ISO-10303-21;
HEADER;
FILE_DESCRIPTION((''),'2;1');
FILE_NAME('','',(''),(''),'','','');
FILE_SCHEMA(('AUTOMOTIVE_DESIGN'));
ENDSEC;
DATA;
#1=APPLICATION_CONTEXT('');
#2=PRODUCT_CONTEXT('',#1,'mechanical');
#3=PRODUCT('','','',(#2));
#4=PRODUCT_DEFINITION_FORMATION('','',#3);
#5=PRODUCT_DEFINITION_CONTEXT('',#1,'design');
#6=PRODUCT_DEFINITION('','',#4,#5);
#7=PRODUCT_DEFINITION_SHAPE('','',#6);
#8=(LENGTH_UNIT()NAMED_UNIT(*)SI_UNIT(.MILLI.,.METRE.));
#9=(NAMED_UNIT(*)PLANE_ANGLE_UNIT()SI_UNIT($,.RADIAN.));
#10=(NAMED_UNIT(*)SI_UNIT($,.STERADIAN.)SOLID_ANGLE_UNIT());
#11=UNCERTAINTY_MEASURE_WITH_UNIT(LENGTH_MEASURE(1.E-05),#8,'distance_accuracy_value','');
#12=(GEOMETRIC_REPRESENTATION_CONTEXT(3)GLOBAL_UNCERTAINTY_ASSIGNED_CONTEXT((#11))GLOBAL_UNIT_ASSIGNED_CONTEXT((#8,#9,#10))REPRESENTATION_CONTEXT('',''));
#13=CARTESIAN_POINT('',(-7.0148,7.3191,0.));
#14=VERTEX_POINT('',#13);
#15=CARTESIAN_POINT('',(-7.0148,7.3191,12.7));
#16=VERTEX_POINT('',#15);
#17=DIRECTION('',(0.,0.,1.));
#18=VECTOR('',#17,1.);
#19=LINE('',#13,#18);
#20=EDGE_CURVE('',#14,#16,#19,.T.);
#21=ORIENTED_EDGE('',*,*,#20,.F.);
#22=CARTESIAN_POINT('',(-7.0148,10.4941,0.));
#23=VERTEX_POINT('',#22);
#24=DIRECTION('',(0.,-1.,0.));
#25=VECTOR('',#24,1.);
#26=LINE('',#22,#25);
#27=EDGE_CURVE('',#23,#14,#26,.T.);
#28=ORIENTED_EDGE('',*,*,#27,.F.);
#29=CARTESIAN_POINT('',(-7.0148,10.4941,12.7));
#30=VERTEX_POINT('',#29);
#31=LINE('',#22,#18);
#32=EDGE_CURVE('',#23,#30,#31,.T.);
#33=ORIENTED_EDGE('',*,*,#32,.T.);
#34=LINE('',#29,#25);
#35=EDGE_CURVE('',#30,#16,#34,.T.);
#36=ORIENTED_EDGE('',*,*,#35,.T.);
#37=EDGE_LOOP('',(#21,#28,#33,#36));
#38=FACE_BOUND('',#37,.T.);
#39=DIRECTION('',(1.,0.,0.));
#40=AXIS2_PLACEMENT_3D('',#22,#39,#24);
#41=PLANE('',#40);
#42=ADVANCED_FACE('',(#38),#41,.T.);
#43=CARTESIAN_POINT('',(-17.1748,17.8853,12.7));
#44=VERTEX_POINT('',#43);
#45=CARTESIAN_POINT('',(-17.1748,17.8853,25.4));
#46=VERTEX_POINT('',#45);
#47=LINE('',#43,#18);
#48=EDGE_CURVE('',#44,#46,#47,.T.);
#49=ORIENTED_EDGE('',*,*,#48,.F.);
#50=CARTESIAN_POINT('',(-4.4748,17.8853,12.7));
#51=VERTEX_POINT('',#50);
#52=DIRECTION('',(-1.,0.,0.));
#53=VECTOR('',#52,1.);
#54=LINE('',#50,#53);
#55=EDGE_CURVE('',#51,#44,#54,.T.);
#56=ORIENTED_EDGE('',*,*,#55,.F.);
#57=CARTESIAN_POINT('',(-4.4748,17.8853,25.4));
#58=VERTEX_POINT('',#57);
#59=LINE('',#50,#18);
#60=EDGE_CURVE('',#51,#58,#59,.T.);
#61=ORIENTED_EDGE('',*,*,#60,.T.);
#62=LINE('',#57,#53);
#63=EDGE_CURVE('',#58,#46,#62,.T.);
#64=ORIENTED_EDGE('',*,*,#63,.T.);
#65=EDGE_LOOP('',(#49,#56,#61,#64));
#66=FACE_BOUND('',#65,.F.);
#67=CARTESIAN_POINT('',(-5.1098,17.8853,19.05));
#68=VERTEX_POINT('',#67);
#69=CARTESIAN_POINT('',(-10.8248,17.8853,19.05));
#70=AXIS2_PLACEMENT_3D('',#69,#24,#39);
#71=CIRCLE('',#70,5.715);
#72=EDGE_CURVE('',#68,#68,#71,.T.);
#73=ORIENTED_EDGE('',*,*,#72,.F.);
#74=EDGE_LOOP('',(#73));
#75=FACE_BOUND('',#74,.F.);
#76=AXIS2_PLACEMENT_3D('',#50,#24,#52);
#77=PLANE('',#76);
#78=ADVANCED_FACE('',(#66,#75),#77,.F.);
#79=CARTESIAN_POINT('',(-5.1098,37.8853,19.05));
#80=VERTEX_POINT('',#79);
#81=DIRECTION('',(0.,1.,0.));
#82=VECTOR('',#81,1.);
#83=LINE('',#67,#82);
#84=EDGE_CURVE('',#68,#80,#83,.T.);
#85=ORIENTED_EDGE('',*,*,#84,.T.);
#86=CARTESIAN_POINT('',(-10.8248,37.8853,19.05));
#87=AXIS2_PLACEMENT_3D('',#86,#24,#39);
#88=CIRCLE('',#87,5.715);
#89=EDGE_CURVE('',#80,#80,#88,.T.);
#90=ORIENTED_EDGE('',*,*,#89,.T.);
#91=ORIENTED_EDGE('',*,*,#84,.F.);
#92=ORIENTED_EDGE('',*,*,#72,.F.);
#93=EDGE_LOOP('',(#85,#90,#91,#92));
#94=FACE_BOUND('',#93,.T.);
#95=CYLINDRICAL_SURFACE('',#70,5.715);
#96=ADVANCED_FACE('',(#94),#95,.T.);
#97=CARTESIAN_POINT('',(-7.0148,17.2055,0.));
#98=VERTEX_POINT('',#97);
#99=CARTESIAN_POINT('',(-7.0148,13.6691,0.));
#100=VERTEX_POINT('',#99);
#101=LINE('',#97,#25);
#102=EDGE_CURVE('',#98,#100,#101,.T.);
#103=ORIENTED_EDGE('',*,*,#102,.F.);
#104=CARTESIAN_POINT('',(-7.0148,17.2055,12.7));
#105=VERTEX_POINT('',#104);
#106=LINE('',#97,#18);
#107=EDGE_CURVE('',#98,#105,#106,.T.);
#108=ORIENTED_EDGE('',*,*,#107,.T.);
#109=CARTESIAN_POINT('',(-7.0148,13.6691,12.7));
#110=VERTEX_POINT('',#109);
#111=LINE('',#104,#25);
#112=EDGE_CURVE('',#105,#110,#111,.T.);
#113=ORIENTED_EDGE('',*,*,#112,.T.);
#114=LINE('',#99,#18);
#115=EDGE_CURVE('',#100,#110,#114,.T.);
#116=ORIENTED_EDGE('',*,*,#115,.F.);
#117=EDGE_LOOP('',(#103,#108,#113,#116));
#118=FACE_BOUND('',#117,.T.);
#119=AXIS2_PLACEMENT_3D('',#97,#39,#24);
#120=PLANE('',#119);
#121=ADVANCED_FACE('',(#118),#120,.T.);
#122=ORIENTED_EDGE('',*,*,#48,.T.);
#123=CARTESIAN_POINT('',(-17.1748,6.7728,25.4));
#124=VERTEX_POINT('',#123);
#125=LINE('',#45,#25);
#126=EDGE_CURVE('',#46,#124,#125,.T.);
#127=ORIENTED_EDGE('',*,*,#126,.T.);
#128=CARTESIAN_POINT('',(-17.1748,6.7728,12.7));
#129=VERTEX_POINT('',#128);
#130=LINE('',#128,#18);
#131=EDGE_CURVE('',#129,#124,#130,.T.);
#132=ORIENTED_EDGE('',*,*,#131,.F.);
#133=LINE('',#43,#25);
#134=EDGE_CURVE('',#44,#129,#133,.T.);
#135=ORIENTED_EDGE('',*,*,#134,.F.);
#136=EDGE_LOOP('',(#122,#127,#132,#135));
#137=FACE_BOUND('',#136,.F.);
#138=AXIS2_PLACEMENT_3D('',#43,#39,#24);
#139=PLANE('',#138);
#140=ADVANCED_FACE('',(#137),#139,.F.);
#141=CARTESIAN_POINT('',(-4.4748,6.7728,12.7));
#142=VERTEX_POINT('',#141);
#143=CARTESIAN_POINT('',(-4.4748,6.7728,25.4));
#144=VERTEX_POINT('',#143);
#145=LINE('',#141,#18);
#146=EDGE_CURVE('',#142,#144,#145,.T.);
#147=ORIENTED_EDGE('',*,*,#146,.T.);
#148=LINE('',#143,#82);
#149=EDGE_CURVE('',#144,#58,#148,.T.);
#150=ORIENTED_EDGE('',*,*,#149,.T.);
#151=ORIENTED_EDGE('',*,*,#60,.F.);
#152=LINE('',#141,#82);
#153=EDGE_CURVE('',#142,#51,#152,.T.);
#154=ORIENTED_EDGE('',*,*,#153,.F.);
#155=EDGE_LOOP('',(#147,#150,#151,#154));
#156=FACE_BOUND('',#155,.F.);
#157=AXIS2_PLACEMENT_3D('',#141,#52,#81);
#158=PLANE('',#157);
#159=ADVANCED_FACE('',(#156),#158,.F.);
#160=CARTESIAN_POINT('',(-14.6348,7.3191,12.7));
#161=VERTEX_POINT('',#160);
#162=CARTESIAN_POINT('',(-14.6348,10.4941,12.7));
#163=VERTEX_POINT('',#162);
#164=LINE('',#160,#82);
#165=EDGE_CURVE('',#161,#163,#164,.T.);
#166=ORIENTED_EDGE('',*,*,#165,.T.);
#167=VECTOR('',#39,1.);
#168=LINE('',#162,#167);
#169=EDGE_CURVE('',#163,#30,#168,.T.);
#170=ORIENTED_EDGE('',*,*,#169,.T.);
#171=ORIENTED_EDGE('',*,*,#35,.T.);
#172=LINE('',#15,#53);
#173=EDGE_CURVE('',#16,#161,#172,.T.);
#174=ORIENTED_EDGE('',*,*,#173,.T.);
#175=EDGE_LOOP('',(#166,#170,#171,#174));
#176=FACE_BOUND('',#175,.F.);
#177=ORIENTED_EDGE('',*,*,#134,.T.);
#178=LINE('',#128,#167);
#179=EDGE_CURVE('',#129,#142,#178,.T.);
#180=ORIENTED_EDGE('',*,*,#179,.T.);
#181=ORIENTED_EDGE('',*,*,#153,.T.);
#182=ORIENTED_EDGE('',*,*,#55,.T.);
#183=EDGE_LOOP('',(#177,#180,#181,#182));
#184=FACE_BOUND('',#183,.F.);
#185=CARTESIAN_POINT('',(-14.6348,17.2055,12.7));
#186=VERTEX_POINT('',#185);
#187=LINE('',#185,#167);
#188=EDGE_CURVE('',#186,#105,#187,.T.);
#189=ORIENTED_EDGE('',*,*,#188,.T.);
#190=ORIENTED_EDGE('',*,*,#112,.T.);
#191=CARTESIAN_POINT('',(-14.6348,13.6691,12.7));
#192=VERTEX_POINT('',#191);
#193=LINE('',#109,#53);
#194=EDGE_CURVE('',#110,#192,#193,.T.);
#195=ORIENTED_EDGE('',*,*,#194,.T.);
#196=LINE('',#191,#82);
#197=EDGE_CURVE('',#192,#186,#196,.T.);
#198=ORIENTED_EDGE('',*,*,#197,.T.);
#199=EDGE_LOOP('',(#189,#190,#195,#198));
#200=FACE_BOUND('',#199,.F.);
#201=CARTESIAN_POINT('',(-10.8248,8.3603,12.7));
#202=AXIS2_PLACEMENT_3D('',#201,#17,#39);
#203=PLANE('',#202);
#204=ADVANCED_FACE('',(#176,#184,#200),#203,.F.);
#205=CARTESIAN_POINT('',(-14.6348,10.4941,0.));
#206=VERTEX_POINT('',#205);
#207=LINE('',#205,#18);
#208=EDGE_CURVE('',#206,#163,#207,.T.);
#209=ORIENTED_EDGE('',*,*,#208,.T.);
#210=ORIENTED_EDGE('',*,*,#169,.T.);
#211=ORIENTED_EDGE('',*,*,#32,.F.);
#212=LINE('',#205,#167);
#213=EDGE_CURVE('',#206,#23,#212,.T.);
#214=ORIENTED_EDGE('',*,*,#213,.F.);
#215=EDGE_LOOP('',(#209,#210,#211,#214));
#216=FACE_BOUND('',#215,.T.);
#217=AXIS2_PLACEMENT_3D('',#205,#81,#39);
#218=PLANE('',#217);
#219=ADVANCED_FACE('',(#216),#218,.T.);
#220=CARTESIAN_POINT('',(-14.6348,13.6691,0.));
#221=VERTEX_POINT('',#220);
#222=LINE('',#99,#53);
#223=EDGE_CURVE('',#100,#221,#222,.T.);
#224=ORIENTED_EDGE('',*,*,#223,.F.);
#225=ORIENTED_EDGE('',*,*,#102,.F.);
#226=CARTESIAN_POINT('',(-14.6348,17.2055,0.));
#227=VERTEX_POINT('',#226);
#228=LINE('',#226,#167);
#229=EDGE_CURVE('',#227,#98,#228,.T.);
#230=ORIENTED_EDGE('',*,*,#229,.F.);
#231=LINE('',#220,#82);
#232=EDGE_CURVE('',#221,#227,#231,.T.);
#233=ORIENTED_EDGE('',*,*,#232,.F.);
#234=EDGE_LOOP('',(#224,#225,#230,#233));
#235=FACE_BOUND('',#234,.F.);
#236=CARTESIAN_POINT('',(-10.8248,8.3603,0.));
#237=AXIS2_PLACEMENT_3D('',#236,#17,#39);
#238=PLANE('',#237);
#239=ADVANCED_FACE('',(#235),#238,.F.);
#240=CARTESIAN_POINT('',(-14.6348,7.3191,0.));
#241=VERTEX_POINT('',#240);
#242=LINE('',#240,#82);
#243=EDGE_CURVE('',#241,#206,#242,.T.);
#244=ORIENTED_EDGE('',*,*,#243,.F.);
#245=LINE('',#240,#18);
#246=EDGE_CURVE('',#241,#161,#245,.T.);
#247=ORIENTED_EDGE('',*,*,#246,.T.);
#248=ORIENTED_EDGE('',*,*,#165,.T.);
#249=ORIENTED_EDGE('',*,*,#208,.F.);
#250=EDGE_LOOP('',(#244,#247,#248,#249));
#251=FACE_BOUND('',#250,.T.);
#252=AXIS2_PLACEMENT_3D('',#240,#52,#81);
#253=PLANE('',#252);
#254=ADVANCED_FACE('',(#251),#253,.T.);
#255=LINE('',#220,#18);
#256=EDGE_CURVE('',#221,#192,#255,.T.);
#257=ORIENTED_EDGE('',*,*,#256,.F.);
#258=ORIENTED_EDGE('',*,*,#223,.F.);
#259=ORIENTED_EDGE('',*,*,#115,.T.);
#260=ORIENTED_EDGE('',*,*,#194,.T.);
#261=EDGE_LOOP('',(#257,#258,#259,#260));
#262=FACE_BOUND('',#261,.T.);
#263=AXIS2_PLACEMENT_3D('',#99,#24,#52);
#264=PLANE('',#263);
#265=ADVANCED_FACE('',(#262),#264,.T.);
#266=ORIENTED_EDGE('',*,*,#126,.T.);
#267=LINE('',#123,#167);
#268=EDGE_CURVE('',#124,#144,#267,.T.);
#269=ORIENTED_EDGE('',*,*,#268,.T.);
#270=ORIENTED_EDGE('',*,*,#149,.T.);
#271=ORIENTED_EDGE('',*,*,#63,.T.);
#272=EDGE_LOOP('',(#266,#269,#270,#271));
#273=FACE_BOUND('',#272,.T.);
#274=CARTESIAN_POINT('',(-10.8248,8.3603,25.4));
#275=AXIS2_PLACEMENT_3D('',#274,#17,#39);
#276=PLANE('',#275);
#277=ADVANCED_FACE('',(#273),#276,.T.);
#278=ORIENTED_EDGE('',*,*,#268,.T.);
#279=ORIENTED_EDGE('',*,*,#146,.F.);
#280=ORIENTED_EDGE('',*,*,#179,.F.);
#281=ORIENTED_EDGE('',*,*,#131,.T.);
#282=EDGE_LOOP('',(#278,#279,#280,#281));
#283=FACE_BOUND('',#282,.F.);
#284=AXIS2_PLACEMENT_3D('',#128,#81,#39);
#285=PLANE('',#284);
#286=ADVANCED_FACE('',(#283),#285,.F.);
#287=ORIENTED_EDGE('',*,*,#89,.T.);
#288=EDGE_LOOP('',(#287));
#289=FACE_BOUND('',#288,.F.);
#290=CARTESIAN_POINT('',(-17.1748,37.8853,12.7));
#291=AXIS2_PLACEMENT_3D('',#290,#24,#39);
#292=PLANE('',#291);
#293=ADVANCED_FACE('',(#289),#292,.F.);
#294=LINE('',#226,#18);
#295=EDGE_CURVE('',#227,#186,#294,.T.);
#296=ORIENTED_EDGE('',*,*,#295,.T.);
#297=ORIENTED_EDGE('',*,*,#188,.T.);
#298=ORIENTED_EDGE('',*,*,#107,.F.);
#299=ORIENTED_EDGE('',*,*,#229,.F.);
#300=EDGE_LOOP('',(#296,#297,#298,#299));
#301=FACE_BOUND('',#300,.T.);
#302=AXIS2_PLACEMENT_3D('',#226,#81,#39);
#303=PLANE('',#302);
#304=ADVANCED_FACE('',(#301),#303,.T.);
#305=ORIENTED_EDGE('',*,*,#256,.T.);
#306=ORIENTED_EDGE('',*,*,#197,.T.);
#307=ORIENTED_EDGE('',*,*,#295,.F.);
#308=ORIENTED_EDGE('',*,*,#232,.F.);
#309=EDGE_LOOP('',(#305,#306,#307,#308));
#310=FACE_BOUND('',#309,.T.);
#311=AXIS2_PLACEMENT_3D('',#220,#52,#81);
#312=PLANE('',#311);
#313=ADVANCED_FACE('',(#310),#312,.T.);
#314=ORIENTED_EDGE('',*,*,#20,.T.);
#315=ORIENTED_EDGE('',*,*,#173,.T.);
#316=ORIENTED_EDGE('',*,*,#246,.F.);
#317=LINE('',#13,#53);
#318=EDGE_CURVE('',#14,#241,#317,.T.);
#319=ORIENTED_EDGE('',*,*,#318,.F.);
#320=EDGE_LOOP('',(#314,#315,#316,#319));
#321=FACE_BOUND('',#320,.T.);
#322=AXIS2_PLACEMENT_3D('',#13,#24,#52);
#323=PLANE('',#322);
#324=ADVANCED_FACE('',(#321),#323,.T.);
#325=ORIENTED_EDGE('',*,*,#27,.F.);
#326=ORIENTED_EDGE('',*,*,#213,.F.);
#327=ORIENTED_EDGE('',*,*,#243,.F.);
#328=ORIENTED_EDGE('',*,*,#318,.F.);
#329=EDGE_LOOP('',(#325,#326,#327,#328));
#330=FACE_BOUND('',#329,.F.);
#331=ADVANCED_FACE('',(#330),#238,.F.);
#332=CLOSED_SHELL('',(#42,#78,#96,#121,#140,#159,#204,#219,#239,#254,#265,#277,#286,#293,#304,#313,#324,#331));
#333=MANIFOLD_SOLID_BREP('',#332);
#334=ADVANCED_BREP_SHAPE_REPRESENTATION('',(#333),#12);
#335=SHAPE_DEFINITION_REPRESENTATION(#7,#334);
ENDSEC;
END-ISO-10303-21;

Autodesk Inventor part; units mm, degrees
ref_plane "YZ Plane" through (0, 0, 0) normal (1, 0, 0) x (0, 1, 0)
ref_plane "XZ Plane" through (0, 0, 0) normal (0, 1, 0) x (-1, 0, 0)
ref_plane "XY Plane" through (0, 0, 0) normal (0, 0, 1) x (1, 0, 0)
ref_plane "Work Plane1" through (-10.8248, 8.3603, 0) normal (0, 0, 1) x (1, 0, 0)
sketch "Sketch1" plane through (-10.8248, 8.3603, 0) normal (0, 0, 1) x (1, 0, 0)
  line L0 (-3.81, 2.1338) -> (3.81, 2.1338) projected
  line L1 (3.81, 2.1338) -> (3.81, 5.3088) projected
  line L2 (3.81, 5.3088) -> (-3.81, 5.3088) projected
  line L3 (-3.81, 5.3088) -> (-3.81, 2.1338) projected
  line L4 (3.81, -1.0412) -> (-3.81, -1.0412) projected
  line L5 (-3.81, -1.0412) -> (-3.81, -4.2162) projected
  line L6 (-3.81, -4.2162) -> (3.81, -4.2162) projected
  line L7 (3.81, -4.2162) -> (3.81, -1.0412) projected
  line L8 (3.81, -1.0412) -> (-3.81, -1.0412)
  line L9 (-3.81, -1.0412) -> (-3.81, 2.1338)
  line L10 (-3.81, 2.1338) -> (3.81, 2.1338)
  line L11 (3.81, 2.1338) -> (3.81, -1.0412)
  line L12 (3.81, 5.3088) -> (-3.81, 5.3088)
  line L13 (-3.81, 5.3088) -> (-3.81, 8.8452)
  line L14 (-3.81, 8.8452) -> (3.81, 8.8452)
  line L15 (3.81, 8.8452) -> (3.81, 5.3088)
  point P0 (10.8248, -8.3603)
extrude "Extrusion1" add sketch "Sketch1" along normal blind 12.7 contours L0 L11 L4 L9 | L13 L14 L15 L2
sketch "Sketch2" plane through (-10.8248, 8.3603, 12.7) normal (0, 0, 1) x (1, 0, 0)
  line L0 (-6.35, -1.5875) -> (6.35, -1.5875)
  line L1 (6.35, -1.5875) -> (6.35, 9.525)
  line L2 (6.35, 9.525) -> (-6.35, 9.525)
  line L3 (-6.35, 9.525) -> (-6.35, -1.5875)
  point P0 (10.8248, -8.3603)
extrude "Extrusion2" add sketch "Sketch2" along normal blind 12.7
sketch "Sketch4" plane through (-17.1748, 17.8853, 12.7) normal (0, -1, 0) x (1, 0, 0)
  circle A0 centre (6.35, 6.35) radius 5.715
  point P0 (17.1748, -12.7)
  dimension "d4" = 11.43
extrude "Extrusion3" add sketch "Sketch4" against normal blind 20
properties part number "Joint_Wheel_Connect"
